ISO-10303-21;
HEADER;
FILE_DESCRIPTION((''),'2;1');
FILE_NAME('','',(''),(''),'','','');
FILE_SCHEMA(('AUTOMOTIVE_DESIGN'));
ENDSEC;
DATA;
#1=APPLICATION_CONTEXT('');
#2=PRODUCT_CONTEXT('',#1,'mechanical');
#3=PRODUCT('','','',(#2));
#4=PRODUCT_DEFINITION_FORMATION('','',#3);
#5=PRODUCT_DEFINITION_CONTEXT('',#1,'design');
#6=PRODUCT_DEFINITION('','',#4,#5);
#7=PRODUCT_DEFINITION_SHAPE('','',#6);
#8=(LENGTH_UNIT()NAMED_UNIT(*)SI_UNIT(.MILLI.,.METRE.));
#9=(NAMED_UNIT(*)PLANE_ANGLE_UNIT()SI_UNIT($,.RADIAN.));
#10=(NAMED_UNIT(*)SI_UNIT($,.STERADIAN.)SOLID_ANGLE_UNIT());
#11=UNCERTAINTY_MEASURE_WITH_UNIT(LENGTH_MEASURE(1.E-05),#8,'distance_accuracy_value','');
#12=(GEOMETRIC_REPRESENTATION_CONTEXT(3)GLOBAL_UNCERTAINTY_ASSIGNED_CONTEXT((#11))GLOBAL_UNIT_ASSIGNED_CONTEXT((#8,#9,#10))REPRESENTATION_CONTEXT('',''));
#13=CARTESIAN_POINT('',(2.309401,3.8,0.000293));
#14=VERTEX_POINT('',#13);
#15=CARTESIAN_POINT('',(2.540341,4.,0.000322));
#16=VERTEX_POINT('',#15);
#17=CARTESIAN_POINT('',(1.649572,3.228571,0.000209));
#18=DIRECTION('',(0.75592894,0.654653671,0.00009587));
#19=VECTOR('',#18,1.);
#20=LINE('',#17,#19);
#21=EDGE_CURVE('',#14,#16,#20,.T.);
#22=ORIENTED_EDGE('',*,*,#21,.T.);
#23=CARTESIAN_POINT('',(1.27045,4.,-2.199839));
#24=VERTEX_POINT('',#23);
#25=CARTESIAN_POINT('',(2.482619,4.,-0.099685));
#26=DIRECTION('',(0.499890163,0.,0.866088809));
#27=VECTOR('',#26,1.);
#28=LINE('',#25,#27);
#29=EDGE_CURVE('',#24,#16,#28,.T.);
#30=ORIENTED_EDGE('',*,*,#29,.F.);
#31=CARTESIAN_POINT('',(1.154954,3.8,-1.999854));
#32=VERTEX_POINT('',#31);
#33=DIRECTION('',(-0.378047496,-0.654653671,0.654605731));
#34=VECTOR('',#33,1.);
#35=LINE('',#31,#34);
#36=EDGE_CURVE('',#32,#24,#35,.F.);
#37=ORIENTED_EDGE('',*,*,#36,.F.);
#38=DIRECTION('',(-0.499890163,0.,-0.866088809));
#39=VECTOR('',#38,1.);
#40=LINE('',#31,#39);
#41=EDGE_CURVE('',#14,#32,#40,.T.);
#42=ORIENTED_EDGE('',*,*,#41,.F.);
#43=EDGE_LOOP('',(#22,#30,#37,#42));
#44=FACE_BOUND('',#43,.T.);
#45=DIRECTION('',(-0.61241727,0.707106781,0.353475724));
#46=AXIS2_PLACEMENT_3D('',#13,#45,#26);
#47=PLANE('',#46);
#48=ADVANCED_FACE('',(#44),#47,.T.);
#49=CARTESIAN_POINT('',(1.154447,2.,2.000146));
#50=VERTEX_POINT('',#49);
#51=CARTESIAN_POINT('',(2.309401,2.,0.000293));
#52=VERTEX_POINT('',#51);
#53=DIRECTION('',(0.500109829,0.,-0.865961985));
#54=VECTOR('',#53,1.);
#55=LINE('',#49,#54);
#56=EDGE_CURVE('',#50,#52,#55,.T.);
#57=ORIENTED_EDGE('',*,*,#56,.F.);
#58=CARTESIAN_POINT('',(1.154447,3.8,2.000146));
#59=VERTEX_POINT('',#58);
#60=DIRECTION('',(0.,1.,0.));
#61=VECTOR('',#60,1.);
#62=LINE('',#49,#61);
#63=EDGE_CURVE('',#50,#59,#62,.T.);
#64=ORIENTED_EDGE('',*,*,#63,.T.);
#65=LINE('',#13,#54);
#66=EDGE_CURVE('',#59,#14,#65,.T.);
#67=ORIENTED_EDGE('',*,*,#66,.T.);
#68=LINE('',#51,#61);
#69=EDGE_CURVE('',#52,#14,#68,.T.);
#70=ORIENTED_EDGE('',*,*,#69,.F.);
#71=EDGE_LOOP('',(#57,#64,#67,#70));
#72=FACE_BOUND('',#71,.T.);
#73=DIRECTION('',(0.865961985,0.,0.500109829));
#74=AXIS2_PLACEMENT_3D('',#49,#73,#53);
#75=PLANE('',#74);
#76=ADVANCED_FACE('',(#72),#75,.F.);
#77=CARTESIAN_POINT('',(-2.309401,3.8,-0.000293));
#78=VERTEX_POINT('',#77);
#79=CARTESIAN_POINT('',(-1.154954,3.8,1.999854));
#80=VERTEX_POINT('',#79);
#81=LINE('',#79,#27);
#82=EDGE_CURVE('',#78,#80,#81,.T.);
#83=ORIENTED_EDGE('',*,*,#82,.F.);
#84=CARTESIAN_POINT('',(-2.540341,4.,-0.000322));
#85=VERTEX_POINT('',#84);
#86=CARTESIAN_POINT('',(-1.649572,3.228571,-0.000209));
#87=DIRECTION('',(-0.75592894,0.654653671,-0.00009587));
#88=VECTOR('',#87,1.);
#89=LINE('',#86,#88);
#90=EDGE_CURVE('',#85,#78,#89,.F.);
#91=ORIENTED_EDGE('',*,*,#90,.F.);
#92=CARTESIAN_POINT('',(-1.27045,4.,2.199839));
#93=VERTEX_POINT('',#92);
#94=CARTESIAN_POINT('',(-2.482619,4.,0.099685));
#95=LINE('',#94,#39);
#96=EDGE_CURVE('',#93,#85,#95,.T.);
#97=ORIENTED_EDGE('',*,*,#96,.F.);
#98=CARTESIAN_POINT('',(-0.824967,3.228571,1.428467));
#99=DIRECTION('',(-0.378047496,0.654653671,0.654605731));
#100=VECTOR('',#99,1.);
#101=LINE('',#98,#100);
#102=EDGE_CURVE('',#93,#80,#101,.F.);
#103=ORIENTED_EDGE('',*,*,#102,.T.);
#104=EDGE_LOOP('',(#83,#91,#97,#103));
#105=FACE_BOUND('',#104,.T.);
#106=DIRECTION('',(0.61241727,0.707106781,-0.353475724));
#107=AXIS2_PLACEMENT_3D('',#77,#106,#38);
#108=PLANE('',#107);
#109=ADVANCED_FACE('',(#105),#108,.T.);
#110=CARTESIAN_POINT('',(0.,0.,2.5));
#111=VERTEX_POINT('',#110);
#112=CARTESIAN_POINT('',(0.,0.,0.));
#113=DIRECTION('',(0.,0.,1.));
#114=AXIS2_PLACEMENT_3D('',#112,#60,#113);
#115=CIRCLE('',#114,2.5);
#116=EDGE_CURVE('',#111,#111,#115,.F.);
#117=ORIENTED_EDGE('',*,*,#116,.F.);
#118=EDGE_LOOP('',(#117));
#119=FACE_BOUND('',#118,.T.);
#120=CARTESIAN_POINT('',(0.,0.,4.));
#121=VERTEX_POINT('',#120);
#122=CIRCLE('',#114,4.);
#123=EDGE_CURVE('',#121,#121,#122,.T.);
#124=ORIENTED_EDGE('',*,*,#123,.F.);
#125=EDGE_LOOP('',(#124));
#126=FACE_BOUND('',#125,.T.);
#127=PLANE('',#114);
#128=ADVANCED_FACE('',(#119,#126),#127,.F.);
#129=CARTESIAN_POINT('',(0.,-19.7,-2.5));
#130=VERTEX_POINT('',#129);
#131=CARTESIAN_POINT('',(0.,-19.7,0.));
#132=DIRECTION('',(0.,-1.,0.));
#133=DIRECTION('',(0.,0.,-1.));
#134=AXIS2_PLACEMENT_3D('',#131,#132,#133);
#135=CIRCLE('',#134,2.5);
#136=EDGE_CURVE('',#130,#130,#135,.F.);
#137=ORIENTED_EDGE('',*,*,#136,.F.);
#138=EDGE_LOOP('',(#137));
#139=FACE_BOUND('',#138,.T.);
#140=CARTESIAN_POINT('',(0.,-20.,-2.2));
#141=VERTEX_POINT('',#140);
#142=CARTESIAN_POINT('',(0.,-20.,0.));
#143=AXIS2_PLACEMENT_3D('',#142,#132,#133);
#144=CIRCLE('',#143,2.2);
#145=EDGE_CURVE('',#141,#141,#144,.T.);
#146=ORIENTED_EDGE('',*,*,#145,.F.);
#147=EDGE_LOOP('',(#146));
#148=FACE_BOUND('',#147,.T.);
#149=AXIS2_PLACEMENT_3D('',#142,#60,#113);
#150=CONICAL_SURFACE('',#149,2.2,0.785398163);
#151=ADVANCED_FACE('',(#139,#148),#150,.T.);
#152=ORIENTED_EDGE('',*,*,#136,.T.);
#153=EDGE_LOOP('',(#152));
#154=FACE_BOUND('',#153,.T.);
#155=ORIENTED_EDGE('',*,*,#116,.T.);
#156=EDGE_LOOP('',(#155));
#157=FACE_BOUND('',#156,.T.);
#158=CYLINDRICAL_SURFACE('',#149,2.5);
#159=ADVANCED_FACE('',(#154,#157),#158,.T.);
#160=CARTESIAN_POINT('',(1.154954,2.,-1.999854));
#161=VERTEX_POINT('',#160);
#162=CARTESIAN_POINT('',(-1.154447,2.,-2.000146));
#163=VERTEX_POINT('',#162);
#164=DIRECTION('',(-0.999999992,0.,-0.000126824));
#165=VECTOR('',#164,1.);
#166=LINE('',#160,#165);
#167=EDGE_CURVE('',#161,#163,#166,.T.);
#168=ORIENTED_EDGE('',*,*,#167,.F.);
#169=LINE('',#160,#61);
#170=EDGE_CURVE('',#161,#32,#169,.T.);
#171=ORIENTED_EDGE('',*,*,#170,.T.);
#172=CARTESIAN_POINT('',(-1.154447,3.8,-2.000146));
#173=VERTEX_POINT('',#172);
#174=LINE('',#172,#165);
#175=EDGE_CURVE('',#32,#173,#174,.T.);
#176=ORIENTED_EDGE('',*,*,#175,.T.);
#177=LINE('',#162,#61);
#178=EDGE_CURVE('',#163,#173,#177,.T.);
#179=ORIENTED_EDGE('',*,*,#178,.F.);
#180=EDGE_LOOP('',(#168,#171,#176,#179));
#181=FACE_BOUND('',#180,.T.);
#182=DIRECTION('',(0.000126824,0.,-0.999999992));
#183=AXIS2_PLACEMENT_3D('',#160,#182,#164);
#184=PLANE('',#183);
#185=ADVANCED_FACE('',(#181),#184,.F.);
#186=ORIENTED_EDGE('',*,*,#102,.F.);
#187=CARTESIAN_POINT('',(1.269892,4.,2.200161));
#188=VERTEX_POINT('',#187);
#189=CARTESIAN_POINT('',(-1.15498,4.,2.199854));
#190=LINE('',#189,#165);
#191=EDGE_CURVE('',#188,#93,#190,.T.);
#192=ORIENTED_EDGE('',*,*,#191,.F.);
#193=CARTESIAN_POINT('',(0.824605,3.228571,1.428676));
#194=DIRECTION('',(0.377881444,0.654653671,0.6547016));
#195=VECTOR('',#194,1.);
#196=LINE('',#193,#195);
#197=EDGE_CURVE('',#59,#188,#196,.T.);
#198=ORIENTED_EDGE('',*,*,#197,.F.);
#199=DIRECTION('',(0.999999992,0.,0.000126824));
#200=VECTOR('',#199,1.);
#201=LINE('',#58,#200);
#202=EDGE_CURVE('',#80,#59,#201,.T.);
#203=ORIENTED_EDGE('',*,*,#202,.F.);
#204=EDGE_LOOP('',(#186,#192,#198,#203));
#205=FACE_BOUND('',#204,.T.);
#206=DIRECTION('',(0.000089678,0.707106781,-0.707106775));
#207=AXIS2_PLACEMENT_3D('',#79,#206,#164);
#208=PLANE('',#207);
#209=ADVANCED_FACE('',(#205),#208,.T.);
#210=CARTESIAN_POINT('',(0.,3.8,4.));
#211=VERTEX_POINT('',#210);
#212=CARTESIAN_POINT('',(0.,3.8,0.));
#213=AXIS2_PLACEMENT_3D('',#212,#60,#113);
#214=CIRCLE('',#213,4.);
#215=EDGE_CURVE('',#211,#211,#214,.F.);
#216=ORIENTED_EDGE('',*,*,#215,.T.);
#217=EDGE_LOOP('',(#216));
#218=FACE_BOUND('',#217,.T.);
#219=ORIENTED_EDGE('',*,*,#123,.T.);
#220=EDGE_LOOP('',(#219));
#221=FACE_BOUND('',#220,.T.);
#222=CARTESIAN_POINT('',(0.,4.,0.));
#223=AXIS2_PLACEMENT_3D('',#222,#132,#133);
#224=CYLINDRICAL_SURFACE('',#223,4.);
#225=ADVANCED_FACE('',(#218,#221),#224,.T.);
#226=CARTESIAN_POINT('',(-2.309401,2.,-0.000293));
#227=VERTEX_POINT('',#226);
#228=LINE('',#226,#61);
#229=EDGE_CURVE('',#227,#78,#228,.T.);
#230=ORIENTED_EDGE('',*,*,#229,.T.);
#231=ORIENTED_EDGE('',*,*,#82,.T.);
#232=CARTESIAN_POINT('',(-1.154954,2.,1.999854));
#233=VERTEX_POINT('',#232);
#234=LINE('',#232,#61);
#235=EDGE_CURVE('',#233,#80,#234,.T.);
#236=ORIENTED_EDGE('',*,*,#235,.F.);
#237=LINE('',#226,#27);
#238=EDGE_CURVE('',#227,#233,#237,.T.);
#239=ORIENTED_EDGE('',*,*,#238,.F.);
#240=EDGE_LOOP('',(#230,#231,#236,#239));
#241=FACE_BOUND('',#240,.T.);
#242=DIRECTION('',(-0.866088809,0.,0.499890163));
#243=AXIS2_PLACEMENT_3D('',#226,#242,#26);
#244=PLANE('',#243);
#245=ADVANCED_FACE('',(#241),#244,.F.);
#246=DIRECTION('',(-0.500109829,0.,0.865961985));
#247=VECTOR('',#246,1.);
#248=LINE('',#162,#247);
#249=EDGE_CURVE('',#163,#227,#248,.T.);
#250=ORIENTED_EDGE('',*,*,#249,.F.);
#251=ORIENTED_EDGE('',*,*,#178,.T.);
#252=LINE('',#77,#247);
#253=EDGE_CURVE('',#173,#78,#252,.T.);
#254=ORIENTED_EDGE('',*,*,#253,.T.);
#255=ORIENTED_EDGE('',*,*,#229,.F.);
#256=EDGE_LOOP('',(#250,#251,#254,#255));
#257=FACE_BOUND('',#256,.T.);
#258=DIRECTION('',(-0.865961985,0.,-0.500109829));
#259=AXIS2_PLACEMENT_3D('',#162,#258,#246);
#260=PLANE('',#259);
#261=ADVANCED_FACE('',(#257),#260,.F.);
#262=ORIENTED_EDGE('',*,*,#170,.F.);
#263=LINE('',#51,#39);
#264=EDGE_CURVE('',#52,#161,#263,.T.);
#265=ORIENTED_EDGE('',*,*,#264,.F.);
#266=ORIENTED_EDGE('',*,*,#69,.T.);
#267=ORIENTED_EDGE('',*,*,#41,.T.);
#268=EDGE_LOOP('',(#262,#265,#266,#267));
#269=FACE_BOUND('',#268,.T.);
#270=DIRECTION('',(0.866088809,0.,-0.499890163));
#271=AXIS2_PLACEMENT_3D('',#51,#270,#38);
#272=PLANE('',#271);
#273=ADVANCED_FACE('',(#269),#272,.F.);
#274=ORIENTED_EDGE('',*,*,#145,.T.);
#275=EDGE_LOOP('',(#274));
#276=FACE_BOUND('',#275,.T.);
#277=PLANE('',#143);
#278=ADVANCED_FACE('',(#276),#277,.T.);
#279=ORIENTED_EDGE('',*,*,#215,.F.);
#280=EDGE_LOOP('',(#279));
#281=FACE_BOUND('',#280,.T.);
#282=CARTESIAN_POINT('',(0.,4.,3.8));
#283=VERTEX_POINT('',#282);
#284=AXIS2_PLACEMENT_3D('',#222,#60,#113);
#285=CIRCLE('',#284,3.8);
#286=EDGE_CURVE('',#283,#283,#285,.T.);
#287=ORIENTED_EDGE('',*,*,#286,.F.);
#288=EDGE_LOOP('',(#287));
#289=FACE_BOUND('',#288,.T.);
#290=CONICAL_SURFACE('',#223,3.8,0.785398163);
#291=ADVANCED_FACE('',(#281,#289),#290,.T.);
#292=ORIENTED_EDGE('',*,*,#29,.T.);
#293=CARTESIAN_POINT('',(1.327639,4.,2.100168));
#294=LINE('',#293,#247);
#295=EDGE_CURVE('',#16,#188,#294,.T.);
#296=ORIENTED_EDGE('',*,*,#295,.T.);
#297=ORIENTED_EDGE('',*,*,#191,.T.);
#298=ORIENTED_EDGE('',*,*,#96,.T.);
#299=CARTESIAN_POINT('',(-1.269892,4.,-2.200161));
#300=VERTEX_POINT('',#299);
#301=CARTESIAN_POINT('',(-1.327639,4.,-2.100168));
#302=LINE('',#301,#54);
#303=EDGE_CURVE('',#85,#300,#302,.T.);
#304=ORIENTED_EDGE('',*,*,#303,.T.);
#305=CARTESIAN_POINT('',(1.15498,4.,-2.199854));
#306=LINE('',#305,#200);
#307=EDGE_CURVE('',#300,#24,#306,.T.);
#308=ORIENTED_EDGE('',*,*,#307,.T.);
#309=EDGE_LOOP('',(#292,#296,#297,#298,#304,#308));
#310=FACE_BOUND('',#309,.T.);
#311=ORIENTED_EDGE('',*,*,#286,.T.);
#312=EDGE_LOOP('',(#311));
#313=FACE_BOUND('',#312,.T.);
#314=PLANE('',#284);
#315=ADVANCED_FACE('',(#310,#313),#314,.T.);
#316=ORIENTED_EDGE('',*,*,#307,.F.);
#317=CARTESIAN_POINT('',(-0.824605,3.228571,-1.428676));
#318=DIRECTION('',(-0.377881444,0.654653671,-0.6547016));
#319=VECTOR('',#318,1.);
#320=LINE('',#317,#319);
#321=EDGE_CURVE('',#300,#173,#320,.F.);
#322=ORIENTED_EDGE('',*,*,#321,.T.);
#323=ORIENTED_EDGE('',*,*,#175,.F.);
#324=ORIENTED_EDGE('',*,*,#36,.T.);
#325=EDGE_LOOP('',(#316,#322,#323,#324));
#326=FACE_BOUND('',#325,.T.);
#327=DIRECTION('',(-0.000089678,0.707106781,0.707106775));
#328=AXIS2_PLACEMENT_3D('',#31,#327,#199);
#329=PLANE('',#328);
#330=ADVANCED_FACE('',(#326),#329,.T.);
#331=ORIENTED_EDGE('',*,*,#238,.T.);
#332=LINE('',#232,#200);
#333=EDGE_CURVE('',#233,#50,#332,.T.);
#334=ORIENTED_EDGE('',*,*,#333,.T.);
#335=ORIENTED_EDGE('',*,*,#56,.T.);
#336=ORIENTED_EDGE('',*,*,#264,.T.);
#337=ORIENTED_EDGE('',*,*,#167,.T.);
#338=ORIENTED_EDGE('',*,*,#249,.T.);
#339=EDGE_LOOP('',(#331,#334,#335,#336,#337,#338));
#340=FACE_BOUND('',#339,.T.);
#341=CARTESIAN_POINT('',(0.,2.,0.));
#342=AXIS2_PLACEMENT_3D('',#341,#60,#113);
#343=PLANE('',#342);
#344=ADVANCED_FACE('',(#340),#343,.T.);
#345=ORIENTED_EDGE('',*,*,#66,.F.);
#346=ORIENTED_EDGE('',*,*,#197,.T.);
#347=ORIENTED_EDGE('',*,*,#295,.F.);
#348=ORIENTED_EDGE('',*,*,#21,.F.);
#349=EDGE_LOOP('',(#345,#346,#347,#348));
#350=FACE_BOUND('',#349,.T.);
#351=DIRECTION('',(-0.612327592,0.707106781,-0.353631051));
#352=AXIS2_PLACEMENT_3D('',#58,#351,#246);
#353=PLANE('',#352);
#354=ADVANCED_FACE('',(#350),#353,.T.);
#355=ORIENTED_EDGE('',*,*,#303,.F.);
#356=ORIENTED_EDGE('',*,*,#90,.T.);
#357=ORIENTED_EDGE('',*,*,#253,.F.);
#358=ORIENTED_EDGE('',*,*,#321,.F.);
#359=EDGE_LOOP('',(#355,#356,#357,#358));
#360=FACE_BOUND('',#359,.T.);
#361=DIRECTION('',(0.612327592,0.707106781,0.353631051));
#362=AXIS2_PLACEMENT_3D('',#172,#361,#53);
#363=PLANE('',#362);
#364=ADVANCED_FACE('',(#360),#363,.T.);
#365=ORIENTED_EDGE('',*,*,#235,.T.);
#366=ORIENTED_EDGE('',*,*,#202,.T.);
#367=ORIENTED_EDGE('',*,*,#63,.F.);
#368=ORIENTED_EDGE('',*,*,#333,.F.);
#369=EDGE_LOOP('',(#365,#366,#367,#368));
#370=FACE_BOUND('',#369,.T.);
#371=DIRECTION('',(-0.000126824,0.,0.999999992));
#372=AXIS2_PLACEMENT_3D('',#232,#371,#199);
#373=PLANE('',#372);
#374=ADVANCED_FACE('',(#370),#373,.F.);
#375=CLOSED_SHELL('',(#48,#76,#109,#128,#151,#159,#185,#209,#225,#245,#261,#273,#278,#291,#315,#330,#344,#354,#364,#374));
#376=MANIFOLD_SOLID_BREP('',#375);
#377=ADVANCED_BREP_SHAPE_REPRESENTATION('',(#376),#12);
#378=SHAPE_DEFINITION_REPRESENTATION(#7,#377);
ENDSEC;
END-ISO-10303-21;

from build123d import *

# Parameters (mm, degrees)
SKETCH_1_R          = 4
EXTRUDE_1_DEPTH     = 4
SKETCH_2_R          = 2.5
EXTRUDE_2_DEPTH     = 20
CUT_EXTRUDE_1_DEPTH = 2
CHAMFER_1_SIZE      = 0.2
CHAMFER_2_SIZE      = 0.3


with BuildPart() as part:
    # 草图1 → 凸台-拉伸1 (new body)
    with BuildSketch(Plane(origin=(0, 0, 0), x_dir=(1, 0, 0), z_dir=(0, 1, 0))):
        Circle(SKETCH_1_R)
    extrude(amount=EXTRUDE_1_DEPTH)

    # 草图2 → 凸台-拉伸2 (add)
    with BuildSketch(Plane.XZ):
        Circle(SKETCH_2_R)
    extrude(amount=EXTRUDE_2_DEPTH)

    # 草图11 → 切除-拉伸1 (cut)
    with BuildSketch(Plane(origin=(0, 4, 0), x_dir=(1, 0, 0), z_dir=(0, 1, 0))):
        Polygon((1.154954177, 1.999853541), (-1.154446882, 2.000146427), (-2.309401058, 0.000292887), (-1.154954177, -1.999853541), (1.154446882, -2.000146427), (2.309401058, -0.000292887), align=None)
    extrude(amount=-CUT_EXTRUDE_1_DEPTH, mode=Mode.SUBTRACT)

    # 倒角1
    chamfer_1_edges = [part.edges().sort_by_distance(p)[0] for p in [
        (1.732177617, 4, -0.999780327),
        (0.000253647, 4, -1.999999984),
        (-1.73192397, 4, -1.000219657),
        (-1.732177617, 4, 0.999780327),
        (-0.000253647, 4, 1.999999984),
        (1.73192397, 4, 1.000219657),
        (-4, 4, 0),
    ]]
    chamfer(chamfer_1_edges, length=CHAMFER_1_SIZE)

    # 倒角2
    chamfer_2_edges = [part.edges().sort_by_distance(p)[0] for p in [
        (-2.5, -20, 0),
    ]]
    chamfer(chamfer_2_edges, length=CHAMFER_2_SIZE)


solid = part.part
